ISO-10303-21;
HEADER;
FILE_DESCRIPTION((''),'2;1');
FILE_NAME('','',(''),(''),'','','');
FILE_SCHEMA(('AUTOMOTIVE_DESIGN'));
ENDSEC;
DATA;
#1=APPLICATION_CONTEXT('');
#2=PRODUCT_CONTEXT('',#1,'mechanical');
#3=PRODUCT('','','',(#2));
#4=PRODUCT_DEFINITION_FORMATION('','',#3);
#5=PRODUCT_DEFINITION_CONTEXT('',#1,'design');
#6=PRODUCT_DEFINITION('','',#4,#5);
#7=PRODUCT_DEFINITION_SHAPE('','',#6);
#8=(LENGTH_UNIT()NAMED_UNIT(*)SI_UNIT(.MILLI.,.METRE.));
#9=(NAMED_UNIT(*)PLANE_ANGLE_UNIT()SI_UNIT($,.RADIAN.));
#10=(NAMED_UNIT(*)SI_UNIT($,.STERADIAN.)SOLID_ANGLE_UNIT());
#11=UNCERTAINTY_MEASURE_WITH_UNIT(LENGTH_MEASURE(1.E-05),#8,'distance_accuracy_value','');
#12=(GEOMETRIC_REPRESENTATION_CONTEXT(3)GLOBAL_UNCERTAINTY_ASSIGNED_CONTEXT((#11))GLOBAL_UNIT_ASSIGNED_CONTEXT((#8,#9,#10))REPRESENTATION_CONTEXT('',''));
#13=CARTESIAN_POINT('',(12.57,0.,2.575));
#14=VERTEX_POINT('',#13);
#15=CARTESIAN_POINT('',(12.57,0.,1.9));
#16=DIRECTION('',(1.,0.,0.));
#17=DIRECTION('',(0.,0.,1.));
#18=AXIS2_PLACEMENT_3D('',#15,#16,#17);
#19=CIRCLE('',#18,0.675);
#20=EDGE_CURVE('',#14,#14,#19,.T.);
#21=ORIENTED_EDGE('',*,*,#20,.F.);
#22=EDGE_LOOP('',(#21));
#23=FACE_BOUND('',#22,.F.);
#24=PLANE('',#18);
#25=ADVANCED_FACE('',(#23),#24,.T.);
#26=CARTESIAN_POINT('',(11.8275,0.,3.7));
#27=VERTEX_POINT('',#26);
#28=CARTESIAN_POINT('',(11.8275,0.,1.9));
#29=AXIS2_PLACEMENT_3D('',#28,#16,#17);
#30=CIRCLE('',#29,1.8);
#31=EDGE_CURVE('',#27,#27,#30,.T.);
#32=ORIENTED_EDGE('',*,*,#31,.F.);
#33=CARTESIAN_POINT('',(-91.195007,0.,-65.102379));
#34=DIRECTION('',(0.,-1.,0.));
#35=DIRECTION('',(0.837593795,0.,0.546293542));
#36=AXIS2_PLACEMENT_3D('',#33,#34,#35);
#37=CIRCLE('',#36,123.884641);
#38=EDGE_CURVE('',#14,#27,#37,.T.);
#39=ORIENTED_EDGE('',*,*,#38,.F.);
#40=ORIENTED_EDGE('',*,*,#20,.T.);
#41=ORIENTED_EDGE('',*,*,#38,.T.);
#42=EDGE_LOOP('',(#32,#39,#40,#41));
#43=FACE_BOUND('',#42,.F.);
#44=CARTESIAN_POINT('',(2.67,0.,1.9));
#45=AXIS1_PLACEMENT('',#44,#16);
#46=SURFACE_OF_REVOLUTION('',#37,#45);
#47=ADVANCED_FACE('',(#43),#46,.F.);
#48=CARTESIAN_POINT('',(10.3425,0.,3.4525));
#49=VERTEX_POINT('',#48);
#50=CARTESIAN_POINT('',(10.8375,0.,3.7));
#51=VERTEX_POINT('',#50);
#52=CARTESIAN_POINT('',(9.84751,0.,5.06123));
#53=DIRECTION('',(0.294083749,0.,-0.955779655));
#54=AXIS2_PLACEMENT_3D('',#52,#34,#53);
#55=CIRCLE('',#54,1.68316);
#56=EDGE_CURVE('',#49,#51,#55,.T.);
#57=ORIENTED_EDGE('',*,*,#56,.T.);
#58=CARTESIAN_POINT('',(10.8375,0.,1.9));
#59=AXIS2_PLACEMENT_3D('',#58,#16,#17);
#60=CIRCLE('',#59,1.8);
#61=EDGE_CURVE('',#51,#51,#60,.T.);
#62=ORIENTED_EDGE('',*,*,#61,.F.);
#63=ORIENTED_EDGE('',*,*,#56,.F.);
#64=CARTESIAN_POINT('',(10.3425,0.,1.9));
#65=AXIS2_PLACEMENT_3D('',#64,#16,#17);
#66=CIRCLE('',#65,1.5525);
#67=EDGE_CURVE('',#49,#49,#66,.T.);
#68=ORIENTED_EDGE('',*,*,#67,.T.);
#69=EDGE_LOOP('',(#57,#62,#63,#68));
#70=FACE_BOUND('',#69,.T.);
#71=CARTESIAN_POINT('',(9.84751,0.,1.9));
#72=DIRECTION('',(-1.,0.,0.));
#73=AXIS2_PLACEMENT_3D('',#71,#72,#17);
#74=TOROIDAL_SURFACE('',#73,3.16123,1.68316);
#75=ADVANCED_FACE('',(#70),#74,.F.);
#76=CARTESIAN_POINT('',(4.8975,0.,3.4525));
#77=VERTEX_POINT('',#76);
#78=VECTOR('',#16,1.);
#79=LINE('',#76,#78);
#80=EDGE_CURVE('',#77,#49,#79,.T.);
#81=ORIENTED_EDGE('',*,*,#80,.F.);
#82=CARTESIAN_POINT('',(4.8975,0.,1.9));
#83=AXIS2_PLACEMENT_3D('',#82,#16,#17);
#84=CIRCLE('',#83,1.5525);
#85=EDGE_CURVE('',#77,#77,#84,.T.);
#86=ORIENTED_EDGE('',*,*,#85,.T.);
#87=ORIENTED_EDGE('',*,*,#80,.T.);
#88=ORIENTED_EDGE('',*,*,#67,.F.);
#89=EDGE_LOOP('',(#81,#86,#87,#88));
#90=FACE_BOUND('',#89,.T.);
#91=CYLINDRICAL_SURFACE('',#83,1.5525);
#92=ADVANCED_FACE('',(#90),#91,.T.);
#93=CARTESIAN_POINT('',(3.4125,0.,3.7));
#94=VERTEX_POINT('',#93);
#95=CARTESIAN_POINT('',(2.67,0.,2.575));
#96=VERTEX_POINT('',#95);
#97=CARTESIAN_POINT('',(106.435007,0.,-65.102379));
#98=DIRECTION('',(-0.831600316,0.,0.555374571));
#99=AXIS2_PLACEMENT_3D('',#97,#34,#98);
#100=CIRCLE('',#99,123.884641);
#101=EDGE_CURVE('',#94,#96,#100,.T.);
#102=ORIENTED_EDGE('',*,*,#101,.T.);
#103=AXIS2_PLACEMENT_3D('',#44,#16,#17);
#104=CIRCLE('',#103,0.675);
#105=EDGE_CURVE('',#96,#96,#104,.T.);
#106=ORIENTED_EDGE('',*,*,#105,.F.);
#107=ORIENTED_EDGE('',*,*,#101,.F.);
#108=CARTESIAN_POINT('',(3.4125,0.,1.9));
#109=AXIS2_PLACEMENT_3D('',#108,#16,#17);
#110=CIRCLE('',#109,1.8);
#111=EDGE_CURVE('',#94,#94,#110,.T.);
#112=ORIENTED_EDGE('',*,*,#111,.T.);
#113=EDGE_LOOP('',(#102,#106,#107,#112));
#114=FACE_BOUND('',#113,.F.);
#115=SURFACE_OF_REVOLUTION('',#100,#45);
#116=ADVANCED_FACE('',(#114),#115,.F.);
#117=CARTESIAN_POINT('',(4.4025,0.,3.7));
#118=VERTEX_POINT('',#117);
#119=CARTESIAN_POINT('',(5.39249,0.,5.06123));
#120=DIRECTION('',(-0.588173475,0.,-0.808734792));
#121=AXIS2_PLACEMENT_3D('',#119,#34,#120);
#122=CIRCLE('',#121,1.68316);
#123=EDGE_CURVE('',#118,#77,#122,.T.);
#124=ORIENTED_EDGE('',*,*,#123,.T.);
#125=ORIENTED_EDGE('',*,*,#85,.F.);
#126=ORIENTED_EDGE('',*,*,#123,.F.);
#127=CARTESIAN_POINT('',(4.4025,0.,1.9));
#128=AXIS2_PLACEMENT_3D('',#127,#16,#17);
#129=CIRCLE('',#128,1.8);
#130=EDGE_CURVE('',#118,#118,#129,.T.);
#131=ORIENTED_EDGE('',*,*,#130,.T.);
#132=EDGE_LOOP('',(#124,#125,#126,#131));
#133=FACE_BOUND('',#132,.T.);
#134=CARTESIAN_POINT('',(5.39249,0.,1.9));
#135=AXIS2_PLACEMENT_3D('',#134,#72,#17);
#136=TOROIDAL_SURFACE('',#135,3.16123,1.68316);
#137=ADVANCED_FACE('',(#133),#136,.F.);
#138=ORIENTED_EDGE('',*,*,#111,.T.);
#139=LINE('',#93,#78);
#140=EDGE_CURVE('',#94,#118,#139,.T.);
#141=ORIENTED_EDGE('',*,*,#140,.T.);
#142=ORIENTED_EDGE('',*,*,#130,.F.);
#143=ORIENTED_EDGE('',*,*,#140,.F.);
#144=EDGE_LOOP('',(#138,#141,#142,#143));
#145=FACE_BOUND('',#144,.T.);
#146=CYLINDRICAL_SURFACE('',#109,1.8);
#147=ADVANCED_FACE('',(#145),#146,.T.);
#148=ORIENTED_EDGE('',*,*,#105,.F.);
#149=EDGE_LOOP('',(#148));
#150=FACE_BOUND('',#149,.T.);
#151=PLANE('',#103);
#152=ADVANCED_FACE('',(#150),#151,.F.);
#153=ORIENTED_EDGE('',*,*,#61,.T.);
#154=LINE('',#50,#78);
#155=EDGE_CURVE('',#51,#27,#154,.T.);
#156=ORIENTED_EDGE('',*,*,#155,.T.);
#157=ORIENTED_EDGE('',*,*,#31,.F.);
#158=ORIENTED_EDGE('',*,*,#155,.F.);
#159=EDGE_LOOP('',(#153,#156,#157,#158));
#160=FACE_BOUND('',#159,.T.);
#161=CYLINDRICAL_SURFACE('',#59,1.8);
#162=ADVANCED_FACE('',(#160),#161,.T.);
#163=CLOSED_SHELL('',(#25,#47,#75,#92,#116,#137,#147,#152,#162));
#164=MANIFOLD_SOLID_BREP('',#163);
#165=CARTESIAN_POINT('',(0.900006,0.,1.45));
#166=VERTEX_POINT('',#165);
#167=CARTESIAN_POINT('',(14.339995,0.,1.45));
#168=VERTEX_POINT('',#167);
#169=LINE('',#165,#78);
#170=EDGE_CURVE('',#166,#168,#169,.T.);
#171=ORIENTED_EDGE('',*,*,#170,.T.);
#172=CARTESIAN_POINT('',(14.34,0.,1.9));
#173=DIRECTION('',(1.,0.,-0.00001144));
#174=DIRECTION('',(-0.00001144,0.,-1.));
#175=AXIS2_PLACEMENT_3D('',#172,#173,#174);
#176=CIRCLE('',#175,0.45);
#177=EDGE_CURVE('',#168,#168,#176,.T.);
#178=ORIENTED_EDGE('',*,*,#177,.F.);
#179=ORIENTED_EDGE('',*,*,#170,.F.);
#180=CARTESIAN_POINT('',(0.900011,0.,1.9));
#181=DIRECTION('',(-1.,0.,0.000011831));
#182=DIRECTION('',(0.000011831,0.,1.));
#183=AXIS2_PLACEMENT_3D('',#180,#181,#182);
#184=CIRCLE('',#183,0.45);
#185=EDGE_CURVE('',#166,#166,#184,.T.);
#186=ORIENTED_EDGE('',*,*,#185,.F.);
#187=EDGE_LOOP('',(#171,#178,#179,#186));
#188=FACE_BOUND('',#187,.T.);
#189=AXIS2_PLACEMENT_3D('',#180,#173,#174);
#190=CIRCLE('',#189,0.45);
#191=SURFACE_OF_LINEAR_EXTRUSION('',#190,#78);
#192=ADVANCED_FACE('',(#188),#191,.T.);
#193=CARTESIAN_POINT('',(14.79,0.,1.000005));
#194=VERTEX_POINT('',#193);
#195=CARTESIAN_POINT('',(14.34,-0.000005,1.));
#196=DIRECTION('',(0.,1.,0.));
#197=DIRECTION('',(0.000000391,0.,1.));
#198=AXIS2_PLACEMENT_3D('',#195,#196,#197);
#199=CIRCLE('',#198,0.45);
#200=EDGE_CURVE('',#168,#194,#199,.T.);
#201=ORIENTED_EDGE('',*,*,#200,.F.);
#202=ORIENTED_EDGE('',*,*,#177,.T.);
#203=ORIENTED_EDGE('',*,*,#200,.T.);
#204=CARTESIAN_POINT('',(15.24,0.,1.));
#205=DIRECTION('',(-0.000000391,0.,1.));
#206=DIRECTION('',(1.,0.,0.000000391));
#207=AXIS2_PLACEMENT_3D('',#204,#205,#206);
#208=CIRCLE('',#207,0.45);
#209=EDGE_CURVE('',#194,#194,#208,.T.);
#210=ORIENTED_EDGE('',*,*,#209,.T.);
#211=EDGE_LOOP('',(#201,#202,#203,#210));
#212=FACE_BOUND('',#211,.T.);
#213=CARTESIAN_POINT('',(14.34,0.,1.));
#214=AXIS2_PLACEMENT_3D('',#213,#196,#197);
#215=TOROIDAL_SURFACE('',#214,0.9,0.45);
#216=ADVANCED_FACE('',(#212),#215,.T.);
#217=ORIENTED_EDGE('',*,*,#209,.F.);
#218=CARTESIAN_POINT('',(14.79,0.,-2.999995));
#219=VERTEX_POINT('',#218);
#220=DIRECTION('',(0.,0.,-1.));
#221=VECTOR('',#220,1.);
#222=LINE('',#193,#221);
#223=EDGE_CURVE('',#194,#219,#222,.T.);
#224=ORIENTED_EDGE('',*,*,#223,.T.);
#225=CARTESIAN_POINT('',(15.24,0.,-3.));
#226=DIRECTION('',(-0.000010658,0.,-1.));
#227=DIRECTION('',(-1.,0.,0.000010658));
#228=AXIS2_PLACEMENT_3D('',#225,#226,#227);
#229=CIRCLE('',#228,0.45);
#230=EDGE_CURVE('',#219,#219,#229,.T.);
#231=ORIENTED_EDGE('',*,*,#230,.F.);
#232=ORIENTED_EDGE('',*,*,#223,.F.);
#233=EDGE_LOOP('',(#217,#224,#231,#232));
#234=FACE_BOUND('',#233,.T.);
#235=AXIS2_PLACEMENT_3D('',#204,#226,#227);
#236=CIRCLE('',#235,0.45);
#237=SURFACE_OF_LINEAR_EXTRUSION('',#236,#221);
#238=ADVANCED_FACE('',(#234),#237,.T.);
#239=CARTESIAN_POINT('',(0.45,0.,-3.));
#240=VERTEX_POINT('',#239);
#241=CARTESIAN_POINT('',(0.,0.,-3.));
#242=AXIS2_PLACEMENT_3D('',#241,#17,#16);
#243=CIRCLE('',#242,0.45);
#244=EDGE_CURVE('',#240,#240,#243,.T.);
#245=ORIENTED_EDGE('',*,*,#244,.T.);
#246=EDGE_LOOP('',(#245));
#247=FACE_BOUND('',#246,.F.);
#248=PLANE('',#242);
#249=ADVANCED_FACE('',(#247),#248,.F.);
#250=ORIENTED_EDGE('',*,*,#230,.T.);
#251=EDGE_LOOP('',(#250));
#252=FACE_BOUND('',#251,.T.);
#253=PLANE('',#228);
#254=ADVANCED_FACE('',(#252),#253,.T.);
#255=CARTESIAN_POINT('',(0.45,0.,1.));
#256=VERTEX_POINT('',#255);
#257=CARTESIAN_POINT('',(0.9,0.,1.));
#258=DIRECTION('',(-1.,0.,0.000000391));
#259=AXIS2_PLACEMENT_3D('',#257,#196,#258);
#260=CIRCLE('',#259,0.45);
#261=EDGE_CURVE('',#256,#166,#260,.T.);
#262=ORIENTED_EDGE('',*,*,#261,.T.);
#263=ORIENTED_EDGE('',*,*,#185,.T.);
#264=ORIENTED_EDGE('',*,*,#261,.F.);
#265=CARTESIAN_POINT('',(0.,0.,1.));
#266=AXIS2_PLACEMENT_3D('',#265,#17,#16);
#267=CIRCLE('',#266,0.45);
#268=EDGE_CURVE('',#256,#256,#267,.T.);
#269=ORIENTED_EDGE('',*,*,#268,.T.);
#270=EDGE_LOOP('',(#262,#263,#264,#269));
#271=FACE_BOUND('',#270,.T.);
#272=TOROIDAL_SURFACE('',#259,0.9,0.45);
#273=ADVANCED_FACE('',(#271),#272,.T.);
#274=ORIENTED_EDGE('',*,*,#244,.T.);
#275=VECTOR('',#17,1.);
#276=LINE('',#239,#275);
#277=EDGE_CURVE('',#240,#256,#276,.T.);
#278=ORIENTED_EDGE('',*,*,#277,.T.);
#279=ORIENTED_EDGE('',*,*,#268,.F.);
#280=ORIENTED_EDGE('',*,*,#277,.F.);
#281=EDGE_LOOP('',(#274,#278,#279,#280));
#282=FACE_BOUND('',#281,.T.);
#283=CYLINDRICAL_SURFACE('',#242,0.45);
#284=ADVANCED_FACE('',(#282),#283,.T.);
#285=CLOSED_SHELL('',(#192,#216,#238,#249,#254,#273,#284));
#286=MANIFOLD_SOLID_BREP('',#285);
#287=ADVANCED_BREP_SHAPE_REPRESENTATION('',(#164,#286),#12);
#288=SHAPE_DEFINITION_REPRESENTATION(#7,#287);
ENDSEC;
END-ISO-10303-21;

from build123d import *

# Parameters (mm, degrees)
SKETCH_R = 0.45


with BuildPart() as revolution:
    # Sketch002 → Revolution (revolve)
    with BuildSketch(Plane.XZ):
        with BuildLine():
            Line((3.4125, 3.7), (4.4025, 3.7))
            ThreePointArc((4.4025, 3.7), (4.639758, 3.555766), (4.8975, 3.4525))
            Line((4.8975, 3.4525), (10.3425, 3.4525))
            ThreePointArc((10.3425, 3.4525), (10.600242, 3.555766), (10.8375, 3.7))
            Line((10.8375, 3.7), (11.8275, 3.7))
            ThreePointArc((12.57, 2.575), (12.20028, 3.13851), (11.8275, 3.7))
            Line((12.57, 1.9), (12.57, 2.575))
            Line((2.67, 1.9), (12.57, 1.9))
            Line((2.67, 1.9), (2.67, 2.575))
            ThreePointArc((3.4125, 3.7), (3.03972, 3.13851), (2.67, 2.575))
        make_face()
    revolve(axis=Axis((2.67, 0, 1.9), (1, 0, 0)))


with BuildPart() as sweep_body:
    # Sweep: sweep along a path in Sketch001
    with BuildLine(Plane.XZ) as sweep_path:
        Line((0, -3), (0, 1))
        ThreePointArc((0, 1), (0.263608, 1.6364), (0.900011, 1.9))
        Line((0.900011, 1.9), (14.34, 1.9))
        ThreePointArc((14.34, 1.9), (14.976396, 1.636396), (15.24, 1))
        Line((15.24, 1), (15.24, -3))
    # Sketch → Sweep (sweep)
    with BuildSketch(Plane.XY.offset(-2)):
        Circle(SKETCH_R)
    sweep(path=sweep_path.line)


solid = Compound([revolution.part, sweep_body.part])
